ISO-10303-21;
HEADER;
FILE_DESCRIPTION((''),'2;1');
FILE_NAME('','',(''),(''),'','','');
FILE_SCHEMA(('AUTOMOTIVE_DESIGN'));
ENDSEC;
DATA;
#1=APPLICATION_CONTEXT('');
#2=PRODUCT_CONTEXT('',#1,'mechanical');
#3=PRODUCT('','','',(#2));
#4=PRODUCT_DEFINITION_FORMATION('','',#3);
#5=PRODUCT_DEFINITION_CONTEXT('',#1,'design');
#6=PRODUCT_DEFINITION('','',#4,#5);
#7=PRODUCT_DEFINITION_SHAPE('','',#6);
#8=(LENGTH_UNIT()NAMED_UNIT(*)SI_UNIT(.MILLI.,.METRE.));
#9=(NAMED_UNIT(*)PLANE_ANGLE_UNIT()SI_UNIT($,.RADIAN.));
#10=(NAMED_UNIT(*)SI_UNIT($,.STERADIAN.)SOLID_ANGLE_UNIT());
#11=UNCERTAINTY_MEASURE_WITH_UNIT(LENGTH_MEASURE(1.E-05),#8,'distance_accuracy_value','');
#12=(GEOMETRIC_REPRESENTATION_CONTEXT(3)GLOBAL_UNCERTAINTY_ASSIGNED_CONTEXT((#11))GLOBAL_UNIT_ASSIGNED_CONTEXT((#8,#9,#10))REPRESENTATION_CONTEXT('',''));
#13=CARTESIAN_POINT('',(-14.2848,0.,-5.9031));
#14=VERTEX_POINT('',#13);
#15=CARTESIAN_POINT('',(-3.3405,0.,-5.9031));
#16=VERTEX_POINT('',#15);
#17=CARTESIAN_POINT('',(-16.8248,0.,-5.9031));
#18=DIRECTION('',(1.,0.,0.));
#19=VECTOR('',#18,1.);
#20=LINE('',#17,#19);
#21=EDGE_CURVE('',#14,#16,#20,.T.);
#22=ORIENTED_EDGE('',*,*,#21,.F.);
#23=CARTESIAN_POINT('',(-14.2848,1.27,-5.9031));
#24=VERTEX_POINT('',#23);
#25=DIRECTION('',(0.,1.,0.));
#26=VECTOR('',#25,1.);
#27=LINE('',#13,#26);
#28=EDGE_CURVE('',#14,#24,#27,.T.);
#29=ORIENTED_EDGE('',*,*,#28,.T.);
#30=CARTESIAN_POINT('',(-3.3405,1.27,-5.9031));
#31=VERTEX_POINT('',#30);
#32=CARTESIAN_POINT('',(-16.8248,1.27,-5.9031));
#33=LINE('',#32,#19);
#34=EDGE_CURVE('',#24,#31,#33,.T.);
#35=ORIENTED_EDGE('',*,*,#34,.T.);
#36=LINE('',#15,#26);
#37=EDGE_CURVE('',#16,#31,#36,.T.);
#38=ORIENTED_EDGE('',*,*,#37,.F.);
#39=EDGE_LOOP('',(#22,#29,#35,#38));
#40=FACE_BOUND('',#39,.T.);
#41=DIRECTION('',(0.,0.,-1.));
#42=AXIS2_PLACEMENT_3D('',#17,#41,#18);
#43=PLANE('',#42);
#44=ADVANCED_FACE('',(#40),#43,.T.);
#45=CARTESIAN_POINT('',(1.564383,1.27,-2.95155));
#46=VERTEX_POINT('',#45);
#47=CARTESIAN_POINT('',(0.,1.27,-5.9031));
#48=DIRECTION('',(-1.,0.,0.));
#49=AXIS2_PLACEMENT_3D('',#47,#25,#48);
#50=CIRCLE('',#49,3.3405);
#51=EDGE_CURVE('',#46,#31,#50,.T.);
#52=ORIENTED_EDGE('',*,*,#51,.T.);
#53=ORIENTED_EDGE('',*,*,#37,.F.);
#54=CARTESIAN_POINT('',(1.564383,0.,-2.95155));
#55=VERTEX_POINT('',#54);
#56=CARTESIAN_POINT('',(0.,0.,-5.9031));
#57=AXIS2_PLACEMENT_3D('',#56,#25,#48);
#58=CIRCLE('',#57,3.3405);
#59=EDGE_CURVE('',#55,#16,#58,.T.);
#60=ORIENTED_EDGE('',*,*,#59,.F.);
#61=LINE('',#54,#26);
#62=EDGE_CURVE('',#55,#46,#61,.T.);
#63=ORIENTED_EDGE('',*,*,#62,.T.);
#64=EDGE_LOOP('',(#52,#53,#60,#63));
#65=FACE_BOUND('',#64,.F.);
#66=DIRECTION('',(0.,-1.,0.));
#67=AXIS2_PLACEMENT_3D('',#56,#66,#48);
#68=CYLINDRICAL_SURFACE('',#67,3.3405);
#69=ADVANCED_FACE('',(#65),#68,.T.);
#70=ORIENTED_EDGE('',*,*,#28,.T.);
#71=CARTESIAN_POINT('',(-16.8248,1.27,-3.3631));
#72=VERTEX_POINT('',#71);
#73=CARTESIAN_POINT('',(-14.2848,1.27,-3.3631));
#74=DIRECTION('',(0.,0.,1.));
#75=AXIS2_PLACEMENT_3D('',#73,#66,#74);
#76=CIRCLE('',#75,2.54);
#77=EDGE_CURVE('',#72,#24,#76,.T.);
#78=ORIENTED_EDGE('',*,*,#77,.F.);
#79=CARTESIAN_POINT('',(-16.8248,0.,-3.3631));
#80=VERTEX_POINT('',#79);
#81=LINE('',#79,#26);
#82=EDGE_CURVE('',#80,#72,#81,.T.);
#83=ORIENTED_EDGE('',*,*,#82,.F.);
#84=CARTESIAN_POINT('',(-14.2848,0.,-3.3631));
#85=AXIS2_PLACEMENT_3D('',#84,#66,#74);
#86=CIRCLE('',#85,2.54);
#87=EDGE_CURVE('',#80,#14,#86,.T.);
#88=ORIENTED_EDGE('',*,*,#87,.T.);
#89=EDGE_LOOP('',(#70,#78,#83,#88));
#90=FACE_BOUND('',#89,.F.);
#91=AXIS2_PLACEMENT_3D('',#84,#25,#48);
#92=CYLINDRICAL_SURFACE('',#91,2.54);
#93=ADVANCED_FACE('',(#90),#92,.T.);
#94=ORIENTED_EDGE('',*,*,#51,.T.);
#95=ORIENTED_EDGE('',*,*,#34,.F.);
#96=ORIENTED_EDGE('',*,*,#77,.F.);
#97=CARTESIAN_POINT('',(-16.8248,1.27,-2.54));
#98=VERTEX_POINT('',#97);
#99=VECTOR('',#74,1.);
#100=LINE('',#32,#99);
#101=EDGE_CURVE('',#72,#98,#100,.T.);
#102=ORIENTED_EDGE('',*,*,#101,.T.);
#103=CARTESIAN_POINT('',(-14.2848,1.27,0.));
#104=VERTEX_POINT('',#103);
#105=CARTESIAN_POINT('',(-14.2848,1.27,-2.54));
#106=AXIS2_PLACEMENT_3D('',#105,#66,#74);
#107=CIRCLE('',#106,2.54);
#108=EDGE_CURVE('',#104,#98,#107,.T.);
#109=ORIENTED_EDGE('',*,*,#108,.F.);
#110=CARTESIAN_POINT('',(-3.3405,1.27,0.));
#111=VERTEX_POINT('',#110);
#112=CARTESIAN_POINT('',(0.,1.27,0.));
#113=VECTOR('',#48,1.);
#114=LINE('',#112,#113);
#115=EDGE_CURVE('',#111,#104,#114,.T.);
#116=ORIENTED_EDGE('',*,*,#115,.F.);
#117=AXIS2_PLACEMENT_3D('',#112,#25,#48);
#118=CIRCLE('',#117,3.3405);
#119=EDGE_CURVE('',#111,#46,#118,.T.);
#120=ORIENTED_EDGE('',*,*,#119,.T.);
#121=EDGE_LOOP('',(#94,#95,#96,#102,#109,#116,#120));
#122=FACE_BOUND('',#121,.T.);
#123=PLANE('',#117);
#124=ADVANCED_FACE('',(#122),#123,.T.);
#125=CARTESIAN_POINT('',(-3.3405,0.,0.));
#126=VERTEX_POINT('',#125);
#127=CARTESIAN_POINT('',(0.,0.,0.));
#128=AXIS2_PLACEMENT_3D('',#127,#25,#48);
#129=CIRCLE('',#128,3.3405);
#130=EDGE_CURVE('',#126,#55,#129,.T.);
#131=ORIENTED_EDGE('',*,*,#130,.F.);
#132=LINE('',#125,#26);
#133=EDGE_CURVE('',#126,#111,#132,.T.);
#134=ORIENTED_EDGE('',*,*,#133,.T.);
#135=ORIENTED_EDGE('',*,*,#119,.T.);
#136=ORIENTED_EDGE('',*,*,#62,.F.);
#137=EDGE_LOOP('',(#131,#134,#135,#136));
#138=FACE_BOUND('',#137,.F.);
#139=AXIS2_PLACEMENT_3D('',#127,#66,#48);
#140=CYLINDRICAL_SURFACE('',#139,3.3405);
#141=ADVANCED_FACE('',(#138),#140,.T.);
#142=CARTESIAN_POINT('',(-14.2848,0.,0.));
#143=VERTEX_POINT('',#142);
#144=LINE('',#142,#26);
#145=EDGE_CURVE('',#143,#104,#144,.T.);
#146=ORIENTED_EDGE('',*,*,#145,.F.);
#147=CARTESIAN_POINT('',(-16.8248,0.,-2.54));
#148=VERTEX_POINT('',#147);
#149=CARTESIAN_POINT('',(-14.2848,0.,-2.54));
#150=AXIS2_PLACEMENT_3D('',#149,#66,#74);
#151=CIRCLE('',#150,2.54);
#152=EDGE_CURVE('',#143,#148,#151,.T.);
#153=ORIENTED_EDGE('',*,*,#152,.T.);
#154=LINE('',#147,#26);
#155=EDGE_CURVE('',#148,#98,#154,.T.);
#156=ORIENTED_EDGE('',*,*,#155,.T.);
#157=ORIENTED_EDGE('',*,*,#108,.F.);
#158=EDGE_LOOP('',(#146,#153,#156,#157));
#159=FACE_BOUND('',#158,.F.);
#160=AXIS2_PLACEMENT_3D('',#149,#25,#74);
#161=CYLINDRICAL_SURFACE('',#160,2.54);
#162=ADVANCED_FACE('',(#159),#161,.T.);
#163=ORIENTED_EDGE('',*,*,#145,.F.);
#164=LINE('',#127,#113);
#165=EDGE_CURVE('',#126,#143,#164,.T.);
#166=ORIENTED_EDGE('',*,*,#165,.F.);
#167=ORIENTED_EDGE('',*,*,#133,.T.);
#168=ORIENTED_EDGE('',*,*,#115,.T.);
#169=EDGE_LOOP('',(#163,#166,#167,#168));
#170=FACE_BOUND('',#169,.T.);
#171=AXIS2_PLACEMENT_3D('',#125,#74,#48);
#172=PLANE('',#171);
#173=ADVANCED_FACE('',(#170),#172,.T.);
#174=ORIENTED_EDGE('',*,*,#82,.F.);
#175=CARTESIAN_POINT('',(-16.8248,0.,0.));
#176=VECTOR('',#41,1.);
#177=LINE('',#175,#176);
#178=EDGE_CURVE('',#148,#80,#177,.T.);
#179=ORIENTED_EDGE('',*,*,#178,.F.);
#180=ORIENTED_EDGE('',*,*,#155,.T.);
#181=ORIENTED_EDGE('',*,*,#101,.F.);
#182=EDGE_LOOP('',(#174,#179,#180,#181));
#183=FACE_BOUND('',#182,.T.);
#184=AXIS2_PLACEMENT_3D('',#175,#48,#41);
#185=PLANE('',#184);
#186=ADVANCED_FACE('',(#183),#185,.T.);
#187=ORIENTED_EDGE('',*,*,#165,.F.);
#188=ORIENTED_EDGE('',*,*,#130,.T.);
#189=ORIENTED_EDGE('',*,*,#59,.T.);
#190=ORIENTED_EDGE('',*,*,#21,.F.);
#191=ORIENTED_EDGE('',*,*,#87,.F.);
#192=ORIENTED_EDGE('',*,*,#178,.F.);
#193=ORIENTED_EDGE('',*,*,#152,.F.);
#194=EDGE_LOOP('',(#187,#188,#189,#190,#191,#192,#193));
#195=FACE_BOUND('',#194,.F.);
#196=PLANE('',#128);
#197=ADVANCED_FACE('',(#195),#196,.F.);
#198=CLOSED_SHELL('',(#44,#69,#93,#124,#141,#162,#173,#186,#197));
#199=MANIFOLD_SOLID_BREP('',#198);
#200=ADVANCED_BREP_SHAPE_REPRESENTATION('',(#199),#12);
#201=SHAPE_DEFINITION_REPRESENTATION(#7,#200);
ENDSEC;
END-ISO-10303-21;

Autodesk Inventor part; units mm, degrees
ref_plane "YZ Plane" through (0, 0, 0) normal (1, 0, 0) x (0, 1, 0)
ref_plane "XZ Plane" through (0, 0, 0) normal (0, 1, 0) x (-1, 0, 0)
ref_plane "XY Plane" through (0, 0, 0) normal (0, 0, 1) x (1, 0, 0)
sketch "Sketch1" plane through (0, 0, 0) normal (0, 1, 0) x (-1, 0, 0)
  line L0 (0, 0) -> (16.8248, 0)
  line L1 (16.8248, 0) -> (16.8248, -5.9031)
  line L2 (16.8248, -5.9031) -> (0, -5.9031)
  line L3 (0, -5.9031) -> (0, 0)
  circle A0 centre (0, 0) radius 3.3405
  line L4 (16.8248, -2.9515) -> (0, -2.9515)
  circle A1 centre (0, -5.9031) radius 3.3405
  point P0 (3.3405, 0)
  point P1 (-1.5644, -2.9515)
  point P2 (3.3405, -5.9031)
extrude "Extrusion1" add sketch "Sketch1" along normal blind 1.27
fillet "Fillet1" radius 2.54 2 edges at (-16.8248, 0.635, 0) (-16.8248, 0.635, -5.9031)
